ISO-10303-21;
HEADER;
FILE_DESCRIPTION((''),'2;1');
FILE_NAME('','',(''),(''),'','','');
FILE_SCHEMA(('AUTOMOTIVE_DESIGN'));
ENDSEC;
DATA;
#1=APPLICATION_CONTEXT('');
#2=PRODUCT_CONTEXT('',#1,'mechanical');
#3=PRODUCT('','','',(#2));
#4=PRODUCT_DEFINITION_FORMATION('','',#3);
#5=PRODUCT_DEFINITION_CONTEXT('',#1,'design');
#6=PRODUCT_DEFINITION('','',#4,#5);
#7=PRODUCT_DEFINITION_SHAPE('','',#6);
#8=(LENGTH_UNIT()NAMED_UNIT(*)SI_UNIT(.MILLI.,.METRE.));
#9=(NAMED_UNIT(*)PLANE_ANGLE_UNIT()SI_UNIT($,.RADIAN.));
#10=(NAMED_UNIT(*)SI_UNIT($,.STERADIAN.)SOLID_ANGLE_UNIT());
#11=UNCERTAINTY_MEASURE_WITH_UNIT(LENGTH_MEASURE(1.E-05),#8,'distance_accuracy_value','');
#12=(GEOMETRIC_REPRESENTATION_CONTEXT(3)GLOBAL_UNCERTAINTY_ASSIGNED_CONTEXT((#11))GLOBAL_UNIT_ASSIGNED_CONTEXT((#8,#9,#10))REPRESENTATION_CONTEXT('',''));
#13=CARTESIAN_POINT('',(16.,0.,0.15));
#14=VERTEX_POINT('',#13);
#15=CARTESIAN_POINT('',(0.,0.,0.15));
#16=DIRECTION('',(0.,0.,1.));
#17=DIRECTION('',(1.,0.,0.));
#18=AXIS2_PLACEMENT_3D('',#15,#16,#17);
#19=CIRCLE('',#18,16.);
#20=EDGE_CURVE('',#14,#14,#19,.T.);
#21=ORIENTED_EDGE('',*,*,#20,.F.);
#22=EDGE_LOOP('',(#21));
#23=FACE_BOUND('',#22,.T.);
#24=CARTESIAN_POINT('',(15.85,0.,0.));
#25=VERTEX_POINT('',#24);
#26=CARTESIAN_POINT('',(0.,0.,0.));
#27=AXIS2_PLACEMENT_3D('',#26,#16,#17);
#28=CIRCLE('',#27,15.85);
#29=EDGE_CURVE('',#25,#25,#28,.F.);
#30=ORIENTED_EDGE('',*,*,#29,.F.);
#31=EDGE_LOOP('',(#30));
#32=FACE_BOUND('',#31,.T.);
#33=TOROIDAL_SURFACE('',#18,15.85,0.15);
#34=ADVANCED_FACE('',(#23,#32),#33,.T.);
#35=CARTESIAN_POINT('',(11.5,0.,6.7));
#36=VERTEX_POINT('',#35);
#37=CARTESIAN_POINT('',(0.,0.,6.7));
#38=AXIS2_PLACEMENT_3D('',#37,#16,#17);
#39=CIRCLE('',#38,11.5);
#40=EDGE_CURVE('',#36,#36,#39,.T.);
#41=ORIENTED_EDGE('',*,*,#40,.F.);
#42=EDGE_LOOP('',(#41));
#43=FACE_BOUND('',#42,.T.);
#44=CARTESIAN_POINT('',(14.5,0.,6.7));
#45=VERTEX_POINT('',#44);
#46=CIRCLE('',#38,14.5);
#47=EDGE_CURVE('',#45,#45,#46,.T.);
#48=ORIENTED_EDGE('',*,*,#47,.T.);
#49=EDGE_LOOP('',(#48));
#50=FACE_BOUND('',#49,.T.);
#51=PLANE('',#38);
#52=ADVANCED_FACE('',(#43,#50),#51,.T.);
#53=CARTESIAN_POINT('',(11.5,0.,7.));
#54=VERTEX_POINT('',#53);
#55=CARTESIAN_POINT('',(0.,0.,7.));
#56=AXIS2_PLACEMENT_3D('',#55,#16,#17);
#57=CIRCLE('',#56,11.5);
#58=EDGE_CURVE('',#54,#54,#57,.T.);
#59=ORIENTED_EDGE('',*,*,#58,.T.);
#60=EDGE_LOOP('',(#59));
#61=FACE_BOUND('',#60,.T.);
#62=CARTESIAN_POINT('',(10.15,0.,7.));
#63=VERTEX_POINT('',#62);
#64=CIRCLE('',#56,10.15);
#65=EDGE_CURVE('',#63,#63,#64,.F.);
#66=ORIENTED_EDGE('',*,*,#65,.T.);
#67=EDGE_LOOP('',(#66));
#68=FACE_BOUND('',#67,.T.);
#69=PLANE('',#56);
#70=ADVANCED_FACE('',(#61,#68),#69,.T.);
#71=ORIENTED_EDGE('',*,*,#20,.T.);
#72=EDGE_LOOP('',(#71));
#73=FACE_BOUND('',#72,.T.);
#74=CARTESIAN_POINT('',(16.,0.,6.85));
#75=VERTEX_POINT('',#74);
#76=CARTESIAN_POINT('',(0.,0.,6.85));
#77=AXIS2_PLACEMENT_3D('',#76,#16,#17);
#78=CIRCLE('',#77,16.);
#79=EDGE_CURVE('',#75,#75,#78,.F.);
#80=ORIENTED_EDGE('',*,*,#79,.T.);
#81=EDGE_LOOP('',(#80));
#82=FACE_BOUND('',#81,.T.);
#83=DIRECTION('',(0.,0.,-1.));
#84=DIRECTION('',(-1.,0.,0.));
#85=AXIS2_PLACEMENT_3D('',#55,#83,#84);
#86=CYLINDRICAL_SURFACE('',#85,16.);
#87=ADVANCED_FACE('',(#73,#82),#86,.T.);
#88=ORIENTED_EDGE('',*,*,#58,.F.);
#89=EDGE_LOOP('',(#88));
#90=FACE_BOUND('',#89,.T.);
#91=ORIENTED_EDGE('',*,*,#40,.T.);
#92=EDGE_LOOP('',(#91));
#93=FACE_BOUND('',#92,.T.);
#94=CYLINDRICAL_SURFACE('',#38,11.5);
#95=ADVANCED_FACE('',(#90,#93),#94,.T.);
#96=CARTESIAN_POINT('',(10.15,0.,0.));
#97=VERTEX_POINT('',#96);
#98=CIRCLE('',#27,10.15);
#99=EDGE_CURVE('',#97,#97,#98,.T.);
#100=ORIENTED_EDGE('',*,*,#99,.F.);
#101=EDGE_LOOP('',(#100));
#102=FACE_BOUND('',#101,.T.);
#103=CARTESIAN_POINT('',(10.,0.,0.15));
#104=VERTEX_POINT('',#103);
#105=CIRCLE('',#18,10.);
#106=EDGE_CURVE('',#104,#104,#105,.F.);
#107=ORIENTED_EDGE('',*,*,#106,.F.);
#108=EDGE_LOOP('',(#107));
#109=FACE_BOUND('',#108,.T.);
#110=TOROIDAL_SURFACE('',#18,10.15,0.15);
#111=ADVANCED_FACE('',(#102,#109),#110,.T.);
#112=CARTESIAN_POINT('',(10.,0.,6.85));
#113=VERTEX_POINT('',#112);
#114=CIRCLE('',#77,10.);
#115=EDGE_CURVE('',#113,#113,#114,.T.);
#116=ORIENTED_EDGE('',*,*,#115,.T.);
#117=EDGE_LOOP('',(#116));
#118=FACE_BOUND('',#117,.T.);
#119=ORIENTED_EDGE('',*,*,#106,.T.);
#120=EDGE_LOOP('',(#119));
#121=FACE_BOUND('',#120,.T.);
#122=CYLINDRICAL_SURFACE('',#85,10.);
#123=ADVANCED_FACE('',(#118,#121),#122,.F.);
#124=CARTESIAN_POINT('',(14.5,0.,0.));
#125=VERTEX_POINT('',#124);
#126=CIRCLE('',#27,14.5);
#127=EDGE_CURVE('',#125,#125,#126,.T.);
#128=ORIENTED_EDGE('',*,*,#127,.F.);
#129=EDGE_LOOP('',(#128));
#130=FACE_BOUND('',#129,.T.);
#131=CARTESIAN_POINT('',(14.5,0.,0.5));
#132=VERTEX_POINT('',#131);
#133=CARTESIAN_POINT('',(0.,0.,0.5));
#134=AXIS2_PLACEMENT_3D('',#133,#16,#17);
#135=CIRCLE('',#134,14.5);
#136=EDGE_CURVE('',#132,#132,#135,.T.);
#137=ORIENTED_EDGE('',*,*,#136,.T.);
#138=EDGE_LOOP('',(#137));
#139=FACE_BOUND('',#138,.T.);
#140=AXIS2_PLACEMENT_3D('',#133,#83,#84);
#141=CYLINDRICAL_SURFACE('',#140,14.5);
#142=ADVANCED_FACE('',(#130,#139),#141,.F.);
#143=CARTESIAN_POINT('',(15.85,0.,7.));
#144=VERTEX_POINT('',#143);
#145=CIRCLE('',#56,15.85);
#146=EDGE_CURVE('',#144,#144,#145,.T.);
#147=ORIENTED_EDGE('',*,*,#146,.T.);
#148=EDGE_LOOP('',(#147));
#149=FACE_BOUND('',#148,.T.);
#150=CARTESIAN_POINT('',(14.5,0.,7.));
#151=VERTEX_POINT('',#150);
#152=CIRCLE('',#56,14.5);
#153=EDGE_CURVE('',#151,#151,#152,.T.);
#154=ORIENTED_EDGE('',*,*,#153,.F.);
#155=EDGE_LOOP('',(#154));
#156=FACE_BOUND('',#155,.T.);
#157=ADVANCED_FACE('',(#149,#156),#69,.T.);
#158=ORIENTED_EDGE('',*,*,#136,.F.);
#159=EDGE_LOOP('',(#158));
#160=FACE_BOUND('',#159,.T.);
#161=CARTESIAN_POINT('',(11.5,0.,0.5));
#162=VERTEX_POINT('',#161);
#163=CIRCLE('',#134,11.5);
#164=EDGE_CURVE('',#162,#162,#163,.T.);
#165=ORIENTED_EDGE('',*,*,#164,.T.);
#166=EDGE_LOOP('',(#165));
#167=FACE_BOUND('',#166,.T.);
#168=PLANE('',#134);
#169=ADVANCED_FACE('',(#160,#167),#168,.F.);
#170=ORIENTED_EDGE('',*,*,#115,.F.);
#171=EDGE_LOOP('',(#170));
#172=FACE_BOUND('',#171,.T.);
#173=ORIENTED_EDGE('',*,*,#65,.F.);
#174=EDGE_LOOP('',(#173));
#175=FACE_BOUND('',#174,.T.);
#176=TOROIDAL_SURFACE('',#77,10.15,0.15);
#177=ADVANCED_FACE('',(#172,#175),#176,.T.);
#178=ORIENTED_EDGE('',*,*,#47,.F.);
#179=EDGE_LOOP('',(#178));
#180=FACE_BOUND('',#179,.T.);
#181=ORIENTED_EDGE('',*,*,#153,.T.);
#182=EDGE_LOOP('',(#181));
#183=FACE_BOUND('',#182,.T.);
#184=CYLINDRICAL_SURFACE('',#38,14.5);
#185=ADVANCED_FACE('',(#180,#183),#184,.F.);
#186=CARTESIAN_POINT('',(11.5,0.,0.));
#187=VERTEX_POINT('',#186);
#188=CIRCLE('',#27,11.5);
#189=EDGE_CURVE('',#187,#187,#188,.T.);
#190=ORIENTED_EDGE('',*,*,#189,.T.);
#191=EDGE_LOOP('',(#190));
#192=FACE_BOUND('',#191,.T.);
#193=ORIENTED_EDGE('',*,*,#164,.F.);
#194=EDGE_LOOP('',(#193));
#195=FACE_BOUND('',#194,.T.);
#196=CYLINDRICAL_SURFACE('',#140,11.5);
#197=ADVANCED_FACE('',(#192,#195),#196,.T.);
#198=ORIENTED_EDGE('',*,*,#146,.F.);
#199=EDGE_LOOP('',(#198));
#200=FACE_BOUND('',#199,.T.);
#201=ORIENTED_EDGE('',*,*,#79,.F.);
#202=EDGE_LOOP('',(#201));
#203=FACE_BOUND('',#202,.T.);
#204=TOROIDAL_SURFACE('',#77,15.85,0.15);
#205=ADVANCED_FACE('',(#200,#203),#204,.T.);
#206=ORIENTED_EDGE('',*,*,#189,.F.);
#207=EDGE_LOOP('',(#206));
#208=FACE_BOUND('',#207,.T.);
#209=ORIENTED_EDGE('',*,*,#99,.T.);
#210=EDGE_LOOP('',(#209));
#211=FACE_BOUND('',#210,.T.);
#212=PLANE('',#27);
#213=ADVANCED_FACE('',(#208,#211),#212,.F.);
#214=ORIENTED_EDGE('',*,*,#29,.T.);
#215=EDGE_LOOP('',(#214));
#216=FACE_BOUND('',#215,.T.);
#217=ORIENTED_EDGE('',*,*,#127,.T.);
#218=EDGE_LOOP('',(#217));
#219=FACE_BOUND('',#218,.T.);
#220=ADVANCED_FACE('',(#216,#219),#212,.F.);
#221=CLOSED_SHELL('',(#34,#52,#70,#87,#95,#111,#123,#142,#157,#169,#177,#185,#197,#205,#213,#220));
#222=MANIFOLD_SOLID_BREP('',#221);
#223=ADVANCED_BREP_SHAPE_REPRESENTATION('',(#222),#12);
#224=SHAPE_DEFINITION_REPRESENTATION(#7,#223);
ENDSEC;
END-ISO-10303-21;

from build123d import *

# Parameters (mm, degrees)
SKETCH1_R           = 16
SKETCH1_R_2         = 10
BOSS_EXTRUDE1_DEPTH = 7
SKETCH2_R           = 14.5
SKETCH2_R_2         = 11.5
CUT_EXTRUDE1_DEPTH  = 0.3
CUT_EXTRUDE2_START  = -6.5
SKETCH2_2_R         = 14.5
SKETCH2_2_R_2       = 11.5
CUT_EXTRUDE2_DEPTH  = 0.5
FILLET1_R           = 0.15


with BuildPart() as part:
    # Sketch1 → Boss-Extrude1 (new body)
    with BuildSketch(Plane.XY):
        Circle(SKETCH1_R)
        Circle(SKETCH1_R_2, mode=Mode.SUBTRACT)
    extrude(amount=BOSS_EXTRUDE1_DEPTH)

    # Sketch2 → Cut-Extrude1 (cut)
    with BuildSketch(Plane.XY.offset(7)):
        Circle(SKETCH2_R)
        Circle(SKETCH2_R_2, mode=Mode.SUBTRACT)
    extrude(amount=-CUT_EXTRUDE1_DEPTH, mode=Mode.SUBTRACT)

    # Sketch2<2> → Cut-Extrude2 (cut)
    with BuildSketch(Plane.XY.offset(7).offset(CUT_EXTRUDE2_START)):
        Circle(SKETCH2_2_R)
        Circle(SKETCH2_2_R_2, mode=Mode.SUBTRACT)
    extrude(amount=-CUT_EXTRUDE2_DEPTH, mode=Mode.SUBTRACT)

    # Fillet1
    fillet1_edges = [part.edges().sort_by_distance(p)[0] for p in [
        (-16, 0, 0),
        (-16, 0, 7),
        (-10, 0, 0),
        (-10, 0, 7),
    ]]
    fillet(fillet1_edges, radius=FILLET1_R)


solid = part.part
